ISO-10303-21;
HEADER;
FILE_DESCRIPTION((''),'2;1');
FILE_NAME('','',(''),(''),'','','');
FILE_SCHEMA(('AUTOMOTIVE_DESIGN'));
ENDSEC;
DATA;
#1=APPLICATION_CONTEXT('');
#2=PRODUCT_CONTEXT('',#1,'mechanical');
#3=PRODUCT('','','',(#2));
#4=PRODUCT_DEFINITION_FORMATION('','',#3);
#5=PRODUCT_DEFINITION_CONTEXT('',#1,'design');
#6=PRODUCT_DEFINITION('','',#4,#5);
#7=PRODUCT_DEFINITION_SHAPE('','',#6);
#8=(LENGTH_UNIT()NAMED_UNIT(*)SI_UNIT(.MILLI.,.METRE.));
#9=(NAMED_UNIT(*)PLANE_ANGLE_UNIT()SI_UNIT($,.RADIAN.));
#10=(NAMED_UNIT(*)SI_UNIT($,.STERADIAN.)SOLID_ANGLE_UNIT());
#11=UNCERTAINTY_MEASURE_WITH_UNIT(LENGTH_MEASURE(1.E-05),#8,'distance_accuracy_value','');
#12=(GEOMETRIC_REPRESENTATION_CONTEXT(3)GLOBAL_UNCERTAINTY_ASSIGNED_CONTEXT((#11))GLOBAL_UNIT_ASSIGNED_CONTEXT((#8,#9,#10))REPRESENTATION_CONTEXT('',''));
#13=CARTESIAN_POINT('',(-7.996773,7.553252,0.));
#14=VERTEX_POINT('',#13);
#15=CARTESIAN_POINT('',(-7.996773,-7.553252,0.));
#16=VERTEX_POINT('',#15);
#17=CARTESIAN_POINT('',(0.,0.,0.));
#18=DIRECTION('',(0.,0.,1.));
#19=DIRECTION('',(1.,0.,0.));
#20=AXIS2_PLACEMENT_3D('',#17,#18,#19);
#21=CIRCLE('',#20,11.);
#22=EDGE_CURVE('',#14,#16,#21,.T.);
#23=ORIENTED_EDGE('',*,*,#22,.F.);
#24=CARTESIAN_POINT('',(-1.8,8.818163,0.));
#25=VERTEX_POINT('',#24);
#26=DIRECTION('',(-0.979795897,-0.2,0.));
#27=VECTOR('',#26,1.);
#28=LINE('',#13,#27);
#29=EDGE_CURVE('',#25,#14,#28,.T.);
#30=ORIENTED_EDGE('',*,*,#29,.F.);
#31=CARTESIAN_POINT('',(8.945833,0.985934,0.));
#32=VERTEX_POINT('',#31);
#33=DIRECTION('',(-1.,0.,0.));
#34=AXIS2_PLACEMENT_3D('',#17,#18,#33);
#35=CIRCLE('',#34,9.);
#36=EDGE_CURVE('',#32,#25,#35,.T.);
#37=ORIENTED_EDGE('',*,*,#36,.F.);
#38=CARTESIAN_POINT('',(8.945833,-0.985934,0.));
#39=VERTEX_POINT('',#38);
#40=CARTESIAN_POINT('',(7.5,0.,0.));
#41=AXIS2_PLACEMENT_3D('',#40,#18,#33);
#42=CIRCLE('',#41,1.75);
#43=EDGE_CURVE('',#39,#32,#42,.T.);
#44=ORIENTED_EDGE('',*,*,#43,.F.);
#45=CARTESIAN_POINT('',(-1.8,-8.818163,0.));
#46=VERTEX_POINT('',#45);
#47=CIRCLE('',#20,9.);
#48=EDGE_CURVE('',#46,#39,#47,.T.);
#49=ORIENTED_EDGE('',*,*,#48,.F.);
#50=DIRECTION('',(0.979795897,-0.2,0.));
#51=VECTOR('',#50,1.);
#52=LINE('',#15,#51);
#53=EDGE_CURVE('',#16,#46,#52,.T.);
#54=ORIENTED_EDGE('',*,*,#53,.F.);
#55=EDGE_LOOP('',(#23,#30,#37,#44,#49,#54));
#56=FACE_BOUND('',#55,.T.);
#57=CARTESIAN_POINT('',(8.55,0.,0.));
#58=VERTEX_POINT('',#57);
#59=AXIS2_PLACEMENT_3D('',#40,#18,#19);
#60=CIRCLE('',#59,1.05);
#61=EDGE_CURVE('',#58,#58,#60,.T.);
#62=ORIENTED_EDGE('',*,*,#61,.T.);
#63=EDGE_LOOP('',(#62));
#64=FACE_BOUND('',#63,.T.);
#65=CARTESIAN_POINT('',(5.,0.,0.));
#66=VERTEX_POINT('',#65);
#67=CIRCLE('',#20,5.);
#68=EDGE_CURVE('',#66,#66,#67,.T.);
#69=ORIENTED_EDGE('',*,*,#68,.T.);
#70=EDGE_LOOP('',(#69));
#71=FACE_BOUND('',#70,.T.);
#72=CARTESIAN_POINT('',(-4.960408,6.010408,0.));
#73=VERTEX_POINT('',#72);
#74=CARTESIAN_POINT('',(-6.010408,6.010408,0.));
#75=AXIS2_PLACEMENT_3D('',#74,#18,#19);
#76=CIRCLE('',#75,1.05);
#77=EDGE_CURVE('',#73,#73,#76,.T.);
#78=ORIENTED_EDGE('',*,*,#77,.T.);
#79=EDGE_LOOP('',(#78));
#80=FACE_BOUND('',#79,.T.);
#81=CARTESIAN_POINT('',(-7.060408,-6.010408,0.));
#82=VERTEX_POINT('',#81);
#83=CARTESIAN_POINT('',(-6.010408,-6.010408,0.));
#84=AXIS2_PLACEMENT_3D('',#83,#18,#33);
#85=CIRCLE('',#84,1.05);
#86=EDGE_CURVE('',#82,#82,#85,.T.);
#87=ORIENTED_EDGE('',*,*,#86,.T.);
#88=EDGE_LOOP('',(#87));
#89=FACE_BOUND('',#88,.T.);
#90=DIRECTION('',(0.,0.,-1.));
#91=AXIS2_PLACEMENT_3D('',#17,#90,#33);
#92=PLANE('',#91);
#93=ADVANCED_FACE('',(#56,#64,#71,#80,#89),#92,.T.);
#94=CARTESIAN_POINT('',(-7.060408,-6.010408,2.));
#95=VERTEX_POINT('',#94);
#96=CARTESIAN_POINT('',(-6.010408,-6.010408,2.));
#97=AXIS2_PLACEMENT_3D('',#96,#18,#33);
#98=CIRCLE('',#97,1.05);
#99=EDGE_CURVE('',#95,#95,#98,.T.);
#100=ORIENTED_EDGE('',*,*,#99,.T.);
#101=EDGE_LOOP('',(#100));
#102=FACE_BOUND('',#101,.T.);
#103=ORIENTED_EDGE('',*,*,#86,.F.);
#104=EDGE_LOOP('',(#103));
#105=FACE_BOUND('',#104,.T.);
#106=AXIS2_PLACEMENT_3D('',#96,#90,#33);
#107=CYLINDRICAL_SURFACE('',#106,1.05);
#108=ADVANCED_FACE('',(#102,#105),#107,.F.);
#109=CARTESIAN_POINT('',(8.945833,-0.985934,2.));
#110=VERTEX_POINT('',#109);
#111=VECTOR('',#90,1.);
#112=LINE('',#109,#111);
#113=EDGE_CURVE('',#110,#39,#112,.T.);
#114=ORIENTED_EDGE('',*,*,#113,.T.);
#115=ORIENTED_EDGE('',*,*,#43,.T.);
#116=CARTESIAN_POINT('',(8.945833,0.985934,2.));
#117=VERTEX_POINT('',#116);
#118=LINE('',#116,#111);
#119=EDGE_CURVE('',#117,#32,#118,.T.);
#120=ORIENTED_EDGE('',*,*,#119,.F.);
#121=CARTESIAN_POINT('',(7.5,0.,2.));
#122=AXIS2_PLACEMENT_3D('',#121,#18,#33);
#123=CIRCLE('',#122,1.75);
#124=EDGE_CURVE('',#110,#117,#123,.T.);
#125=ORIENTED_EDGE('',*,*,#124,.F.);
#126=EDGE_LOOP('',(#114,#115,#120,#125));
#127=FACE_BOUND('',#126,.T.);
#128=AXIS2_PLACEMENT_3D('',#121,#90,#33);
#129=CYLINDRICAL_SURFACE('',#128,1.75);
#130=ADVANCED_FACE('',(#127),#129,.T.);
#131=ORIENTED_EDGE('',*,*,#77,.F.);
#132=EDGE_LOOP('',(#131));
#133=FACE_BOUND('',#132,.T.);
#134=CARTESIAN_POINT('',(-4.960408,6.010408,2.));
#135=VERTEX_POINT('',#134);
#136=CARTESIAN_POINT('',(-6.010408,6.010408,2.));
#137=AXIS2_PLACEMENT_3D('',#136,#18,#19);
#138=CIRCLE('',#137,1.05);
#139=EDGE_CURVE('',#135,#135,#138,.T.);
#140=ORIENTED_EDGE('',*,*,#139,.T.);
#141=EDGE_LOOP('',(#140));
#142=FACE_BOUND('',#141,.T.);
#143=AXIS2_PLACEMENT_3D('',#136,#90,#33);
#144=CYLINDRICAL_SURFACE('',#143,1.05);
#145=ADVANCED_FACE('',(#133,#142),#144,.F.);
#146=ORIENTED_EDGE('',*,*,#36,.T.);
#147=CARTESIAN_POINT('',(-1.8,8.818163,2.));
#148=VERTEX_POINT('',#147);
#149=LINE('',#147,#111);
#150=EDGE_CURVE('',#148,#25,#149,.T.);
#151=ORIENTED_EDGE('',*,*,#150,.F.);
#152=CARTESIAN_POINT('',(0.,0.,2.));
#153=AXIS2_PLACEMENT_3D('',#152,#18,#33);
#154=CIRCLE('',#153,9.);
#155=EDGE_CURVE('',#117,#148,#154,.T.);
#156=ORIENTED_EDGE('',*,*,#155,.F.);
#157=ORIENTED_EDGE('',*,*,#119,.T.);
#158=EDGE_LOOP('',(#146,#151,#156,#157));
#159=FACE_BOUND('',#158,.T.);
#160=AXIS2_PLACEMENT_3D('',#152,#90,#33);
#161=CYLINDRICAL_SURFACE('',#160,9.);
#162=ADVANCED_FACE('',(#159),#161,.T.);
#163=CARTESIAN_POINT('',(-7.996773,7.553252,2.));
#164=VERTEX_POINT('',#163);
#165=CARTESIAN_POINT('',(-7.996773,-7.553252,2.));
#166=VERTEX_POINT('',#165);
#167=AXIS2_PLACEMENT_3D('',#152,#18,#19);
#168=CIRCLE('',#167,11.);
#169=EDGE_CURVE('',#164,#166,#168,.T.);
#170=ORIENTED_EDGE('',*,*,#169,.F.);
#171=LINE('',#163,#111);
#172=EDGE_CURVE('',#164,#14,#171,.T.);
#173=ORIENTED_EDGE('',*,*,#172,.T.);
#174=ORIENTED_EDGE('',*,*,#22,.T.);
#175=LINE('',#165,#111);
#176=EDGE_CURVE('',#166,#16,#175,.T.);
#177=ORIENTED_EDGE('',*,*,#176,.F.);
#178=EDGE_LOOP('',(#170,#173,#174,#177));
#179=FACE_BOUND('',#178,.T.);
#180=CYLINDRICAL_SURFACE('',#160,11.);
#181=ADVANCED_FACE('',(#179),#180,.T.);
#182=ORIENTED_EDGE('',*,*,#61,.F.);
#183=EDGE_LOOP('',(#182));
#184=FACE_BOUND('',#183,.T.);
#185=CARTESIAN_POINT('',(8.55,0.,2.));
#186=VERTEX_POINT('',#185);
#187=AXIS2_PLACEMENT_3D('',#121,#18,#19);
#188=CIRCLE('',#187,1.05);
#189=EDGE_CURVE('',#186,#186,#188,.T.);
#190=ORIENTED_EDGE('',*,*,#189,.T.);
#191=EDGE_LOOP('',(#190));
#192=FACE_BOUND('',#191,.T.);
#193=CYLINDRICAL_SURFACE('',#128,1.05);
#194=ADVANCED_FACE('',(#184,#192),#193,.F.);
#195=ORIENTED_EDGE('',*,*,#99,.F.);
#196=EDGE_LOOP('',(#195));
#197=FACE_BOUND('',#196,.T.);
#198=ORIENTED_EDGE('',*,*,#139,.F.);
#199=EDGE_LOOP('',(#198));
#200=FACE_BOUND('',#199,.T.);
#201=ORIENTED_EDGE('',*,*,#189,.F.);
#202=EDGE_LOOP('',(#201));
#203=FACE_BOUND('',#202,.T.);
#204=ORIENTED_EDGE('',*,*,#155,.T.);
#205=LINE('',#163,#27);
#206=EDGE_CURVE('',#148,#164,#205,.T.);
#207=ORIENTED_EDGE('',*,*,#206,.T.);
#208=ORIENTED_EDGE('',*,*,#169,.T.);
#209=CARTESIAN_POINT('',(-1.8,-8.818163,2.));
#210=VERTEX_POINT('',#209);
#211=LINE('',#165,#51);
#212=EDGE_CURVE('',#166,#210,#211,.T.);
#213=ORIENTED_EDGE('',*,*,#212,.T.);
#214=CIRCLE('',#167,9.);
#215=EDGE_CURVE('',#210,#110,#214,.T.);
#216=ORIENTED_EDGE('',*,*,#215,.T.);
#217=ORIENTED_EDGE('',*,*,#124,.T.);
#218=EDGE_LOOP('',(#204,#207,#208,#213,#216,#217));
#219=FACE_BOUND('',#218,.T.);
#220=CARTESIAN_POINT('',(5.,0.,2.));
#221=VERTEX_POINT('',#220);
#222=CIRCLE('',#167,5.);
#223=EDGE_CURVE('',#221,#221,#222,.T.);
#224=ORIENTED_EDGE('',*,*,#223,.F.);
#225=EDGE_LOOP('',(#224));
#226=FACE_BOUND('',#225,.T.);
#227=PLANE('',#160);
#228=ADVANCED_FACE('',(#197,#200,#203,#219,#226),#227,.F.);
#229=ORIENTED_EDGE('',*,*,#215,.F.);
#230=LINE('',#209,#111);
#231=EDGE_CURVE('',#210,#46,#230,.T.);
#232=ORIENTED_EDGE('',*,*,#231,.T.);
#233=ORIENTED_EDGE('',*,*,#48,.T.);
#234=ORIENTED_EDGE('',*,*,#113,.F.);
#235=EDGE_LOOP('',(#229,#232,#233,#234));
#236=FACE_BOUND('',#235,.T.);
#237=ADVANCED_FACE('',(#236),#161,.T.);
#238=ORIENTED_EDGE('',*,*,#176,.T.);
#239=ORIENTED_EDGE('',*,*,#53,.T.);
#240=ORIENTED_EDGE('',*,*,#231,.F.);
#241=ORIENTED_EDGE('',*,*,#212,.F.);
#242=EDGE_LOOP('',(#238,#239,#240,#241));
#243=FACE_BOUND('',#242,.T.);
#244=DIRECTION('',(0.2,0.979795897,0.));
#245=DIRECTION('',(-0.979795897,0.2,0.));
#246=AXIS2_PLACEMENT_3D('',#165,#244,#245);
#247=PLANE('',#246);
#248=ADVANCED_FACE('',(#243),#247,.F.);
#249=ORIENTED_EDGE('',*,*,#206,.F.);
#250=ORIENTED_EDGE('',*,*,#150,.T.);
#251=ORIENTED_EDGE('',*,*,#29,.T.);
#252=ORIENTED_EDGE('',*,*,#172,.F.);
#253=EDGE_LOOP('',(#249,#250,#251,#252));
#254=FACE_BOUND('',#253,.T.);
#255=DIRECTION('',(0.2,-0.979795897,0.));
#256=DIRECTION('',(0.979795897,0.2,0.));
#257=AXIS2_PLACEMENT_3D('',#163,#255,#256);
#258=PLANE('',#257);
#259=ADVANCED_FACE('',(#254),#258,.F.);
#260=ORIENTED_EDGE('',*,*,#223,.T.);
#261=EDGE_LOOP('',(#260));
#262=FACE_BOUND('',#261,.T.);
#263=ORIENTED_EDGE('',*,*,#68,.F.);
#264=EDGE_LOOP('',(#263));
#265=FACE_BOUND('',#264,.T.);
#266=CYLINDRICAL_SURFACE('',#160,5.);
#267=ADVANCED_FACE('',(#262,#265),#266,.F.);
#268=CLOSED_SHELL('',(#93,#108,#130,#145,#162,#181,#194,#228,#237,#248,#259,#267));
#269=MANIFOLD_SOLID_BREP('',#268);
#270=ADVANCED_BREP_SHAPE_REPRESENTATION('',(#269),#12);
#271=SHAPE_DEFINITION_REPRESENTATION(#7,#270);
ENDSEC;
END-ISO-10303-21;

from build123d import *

# Parameters (mm, degrees)
ESQUISSE1_R        = 5
ESQUISSE1_R_2      = 1.05
BOSS_EXTRU_1_DEPTH = 2


with BuildPart() as part:
    # Esquisse1 → Boss.-Extru.1 (new body)
    with BuildSketch(Plane.XY):
        with BuildLine():
            Line((-7.996773354, 7.55325201), (-1.8, 8.818163074))
            ThreePointArc((-1.8, 8.818163074), (5.30110237, 7.27312269), (8.945833333, 0.985934061))
            ThreePointArc((8.945833333, 0.985934061), (9.25, 0), (8.945833333, -0.985934061))
            ThreePointArc((8.945833333, -0.985934061), (5.30110237, -7.27312269), (-1.8, -8.818163074))
            Line((-1.8, -8.818163074), (-7.996773354, -7.55325201))
            ThreePointArc((-7.996773354, -7.55325201), (-11, 0), (-7.996773354, 7.55325201))
        make_face()
        Circle(ESQUISSE1_R, mode=Mode.SUBTRACT)
        with Locations((7.5, 0)):
            Circle(ESQUISSE1_R_2, mode=Mode.SUBTRACT)
        with Locations((-6.01040764, 6.01040764)):
            Circle(ESQUISSE1_R_2, mode=Mode.SUBTRACT)
        with Locations(Location((-6.01040764, -6.01040764, 0), (0, 0, 180))):
            Circle(ESQUISSE1_R_2, mode=Mode.SUBTRACT)
    extrude(amount=BOSS_EXTRU_1_DEPTH)


solid = part.part
